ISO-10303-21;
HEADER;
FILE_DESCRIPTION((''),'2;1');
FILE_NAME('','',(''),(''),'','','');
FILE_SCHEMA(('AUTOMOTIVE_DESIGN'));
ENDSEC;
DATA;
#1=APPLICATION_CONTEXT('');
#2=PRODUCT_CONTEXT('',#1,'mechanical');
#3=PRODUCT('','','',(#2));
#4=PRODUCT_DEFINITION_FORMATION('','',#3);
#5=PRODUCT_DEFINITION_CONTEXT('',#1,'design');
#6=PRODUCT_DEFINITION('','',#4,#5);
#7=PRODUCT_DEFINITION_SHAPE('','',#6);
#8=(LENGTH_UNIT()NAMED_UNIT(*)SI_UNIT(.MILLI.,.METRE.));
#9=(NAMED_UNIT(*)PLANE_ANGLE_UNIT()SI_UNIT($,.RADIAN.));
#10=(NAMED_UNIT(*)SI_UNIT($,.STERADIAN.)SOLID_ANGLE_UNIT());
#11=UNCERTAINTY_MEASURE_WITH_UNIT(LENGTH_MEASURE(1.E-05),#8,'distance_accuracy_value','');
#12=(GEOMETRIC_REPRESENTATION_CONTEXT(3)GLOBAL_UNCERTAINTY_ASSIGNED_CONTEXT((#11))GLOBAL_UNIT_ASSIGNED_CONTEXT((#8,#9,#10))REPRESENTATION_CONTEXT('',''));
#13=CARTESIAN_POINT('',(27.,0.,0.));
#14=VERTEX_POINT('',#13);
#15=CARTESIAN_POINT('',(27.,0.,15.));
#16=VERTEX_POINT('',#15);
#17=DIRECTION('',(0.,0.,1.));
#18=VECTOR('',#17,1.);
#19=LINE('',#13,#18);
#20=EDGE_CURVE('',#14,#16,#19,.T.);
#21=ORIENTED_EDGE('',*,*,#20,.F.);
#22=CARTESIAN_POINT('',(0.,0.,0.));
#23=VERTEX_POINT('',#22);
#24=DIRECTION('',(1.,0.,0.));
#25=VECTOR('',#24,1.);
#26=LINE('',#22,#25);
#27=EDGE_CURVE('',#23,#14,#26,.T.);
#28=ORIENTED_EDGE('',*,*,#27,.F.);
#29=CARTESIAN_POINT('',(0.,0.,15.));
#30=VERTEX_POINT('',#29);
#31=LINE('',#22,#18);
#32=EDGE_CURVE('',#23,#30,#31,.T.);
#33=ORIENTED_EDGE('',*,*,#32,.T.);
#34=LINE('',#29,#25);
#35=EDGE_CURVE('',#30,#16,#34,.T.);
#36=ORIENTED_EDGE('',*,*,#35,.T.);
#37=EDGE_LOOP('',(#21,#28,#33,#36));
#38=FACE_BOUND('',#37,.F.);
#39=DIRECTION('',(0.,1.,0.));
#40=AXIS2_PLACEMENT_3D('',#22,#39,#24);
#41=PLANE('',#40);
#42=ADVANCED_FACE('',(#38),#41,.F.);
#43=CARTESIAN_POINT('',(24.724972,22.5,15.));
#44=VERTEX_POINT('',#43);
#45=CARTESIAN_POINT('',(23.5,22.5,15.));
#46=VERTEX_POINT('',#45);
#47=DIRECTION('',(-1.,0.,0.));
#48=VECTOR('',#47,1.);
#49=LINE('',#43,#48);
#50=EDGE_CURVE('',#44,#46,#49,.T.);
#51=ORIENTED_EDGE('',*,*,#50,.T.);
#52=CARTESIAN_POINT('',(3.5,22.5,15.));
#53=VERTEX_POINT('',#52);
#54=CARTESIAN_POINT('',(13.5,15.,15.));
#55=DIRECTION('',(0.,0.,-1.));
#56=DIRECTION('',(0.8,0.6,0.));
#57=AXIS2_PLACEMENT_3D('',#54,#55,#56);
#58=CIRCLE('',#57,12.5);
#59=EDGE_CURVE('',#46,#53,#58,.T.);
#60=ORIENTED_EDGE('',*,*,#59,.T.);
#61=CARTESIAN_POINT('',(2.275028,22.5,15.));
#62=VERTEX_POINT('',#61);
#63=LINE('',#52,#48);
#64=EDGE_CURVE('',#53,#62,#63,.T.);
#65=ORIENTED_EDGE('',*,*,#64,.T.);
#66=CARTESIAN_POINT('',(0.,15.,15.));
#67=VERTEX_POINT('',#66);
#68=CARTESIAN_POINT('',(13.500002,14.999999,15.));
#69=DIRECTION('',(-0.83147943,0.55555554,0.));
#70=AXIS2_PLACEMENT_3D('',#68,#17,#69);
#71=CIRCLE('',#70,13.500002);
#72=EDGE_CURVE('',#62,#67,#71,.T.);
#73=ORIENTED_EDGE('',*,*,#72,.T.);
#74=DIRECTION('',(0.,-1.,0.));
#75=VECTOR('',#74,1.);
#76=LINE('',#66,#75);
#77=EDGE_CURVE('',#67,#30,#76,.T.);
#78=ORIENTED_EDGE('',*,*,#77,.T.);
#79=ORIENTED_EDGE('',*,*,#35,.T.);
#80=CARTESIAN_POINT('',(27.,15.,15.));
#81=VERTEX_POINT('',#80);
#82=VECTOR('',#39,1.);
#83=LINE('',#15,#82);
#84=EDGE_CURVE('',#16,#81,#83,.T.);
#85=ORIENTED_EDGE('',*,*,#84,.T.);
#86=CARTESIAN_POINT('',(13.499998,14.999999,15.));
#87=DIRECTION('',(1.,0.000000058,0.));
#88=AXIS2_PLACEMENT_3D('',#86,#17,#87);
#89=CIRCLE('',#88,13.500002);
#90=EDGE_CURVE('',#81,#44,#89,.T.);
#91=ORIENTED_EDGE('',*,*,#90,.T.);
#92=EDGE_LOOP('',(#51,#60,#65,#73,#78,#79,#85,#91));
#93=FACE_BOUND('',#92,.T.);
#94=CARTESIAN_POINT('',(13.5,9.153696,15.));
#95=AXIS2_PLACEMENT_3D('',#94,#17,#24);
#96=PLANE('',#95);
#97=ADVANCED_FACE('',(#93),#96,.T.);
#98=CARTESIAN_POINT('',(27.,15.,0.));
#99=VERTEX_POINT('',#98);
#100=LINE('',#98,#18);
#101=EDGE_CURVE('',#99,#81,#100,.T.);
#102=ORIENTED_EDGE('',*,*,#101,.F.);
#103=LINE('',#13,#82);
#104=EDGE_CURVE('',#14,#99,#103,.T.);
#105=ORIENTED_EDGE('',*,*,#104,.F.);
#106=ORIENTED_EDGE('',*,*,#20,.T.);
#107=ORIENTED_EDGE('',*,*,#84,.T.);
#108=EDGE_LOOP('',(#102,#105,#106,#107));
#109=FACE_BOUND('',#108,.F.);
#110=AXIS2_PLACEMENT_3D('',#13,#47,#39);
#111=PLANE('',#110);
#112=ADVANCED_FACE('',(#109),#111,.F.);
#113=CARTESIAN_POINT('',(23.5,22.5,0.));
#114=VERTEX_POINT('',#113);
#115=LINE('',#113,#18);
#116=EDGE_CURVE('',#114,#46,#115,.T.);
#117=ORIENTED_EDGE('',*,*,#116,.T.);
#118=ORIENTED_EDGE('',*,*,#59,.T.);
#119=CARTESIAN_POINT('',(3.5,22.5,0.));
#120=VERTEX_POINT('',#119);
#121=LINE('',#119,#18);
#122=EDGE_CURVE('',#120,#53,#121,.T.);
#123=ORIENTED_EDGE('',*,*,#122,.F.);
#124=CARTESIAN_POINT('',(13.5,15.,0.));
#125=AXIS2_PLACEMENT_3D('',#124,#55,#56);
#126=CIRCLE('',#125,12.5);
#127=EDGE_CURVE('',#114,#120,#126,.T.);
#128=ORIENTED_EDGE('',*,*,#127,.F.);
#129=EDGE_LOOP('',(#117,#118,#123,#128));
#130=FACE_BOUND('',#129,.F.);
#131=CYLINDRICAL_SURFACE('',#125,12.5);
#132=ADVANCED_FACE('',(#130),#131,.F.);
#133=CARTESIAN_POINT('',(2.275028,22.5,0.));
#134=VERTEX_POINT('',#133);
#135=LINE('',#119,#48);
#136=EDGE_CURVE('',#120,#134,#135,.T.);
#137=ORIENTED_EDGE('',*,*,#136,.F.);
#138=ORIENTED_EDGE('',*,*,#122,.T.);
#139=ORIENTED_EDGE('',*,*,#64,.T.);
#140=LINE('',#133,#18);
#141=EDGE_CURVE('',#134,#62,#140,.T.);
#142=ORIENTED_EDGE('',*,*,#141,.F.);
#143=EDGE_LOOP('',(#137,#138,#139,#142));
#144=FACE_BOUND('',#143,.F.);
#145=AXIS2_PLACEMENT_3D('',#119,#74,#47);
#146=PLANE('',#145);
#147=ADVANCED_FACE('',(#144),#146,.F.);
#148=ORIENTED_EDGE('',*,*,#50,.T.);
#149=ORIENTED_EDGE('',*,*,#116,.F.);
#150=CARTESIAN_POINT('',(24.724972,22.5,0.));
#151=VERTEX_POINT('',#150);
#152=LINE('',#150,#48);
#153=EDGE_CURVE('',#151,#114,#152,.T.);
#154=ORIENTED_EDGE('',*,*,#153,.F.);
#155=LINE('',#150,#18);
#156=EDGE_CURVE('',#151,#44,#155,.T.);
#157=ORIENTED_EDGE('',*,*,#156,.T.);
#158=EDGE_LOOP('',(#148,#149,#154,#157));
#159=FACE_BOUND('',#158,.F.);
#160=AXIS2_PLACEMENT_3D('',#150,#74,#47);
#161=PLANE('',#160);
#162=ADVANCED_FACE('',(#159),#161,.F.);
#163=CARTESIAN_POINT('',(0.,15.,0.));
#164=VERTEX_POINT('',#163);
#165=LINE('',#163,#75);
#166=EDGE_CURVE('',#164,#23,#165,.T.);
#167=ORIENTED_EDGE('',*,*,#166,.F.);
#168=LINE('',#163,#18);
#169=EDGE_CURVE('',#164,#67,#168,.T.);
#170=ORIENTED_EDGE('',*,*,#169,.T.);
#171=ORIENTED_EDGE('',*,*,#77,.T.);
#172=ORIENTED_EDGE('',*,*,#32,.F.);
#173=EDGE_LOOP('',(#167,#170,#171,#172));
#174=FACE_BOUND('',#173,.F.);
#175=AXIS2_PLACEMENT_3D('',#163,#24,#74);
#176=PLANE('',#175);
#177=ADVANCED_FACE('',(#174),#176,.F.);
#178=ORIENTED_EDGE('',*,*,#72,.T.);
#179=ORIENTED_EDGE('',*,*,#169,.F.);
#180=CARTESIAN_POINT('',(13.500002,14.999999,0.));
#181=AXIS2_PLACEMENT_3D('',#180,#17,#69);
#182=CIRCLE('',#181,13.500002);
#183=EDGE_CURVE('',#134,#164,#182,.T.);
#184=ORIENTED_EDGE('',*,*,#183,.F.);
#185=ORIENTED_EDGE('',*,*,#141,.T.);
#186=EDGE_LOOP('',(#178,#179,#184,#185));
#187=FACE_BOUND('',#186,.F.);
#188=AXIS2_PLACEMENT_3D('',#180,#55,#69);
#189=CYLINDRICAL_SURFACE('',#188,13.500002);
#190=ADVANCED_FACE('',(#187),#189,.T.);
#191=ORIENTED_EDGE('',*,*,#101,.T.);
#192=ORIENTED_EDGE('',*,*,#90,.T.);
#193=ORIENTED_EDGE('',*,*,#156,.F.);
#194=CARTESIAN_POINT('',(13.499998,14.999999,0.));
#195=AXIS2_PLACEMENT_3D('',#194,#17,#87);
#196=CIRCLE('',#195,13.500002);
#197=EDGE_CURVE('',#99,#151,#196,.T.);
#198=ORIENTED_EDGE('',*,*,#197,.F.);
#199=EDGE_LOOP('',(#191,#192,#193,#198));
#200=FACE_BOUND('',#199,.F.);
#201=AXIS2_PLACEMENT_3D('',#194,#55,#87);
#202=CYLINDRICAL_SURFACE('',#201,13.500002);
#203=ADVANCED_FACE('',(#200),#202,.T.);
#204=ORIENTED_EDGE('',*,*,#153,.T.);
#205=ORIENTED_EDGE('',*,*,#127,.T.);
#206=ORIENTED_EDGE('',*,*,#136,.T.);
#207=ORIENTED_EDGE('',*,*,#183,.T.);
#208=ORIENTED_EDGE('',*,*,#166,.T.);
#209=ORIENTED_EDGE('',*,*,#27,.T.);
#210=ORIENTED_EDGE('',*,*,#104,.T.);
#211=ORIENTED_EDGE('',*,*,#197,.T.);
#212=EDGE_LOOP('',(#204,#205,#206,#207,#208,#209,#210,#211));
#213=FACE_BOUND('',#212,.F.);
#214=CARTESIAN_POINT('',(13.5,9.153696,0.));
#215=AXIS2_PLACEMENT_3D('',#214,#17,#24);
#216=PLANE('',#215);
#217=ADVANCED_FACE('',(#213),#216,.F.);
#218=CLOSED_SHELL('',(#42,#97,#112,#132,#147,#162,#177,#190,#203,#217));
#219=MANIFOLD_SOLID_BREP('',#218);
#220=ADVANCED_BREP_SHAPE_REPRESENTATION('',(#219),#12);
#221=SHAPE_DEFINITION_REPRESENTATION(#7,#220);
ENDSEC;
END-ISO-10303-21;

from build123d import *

# Parameters (mm, degrees)
F1_DEPTH = 15


with BuildPart() as f1:
    # F0 (on Top) → F1 (new body)
    with BuildSketch(Plane.XY):
        with BuildLine():
            ThreePointArc((23.5, 22.5), (13.5, 2.5), (3.5, 22.5))
            Line((3.5, 22.5), (2.275028, 22.5))
            ThreePointArc((2.275028, 22.5), (0.581271, 18.918729), (0, 15))
            Line((0, 15), (0, 0))
            Line((0, 0), (27, 0))
            Line((27, 0), (27, 15))
            ThreePointArc((27, 15), (26.418729, 18.918729), (24.724972, 22.5))
            Line((24.724972, 22.5), (23.5, 22.5))
        make_face()
    extrude(amount=F1_DEPTH)


solid = f1.part
